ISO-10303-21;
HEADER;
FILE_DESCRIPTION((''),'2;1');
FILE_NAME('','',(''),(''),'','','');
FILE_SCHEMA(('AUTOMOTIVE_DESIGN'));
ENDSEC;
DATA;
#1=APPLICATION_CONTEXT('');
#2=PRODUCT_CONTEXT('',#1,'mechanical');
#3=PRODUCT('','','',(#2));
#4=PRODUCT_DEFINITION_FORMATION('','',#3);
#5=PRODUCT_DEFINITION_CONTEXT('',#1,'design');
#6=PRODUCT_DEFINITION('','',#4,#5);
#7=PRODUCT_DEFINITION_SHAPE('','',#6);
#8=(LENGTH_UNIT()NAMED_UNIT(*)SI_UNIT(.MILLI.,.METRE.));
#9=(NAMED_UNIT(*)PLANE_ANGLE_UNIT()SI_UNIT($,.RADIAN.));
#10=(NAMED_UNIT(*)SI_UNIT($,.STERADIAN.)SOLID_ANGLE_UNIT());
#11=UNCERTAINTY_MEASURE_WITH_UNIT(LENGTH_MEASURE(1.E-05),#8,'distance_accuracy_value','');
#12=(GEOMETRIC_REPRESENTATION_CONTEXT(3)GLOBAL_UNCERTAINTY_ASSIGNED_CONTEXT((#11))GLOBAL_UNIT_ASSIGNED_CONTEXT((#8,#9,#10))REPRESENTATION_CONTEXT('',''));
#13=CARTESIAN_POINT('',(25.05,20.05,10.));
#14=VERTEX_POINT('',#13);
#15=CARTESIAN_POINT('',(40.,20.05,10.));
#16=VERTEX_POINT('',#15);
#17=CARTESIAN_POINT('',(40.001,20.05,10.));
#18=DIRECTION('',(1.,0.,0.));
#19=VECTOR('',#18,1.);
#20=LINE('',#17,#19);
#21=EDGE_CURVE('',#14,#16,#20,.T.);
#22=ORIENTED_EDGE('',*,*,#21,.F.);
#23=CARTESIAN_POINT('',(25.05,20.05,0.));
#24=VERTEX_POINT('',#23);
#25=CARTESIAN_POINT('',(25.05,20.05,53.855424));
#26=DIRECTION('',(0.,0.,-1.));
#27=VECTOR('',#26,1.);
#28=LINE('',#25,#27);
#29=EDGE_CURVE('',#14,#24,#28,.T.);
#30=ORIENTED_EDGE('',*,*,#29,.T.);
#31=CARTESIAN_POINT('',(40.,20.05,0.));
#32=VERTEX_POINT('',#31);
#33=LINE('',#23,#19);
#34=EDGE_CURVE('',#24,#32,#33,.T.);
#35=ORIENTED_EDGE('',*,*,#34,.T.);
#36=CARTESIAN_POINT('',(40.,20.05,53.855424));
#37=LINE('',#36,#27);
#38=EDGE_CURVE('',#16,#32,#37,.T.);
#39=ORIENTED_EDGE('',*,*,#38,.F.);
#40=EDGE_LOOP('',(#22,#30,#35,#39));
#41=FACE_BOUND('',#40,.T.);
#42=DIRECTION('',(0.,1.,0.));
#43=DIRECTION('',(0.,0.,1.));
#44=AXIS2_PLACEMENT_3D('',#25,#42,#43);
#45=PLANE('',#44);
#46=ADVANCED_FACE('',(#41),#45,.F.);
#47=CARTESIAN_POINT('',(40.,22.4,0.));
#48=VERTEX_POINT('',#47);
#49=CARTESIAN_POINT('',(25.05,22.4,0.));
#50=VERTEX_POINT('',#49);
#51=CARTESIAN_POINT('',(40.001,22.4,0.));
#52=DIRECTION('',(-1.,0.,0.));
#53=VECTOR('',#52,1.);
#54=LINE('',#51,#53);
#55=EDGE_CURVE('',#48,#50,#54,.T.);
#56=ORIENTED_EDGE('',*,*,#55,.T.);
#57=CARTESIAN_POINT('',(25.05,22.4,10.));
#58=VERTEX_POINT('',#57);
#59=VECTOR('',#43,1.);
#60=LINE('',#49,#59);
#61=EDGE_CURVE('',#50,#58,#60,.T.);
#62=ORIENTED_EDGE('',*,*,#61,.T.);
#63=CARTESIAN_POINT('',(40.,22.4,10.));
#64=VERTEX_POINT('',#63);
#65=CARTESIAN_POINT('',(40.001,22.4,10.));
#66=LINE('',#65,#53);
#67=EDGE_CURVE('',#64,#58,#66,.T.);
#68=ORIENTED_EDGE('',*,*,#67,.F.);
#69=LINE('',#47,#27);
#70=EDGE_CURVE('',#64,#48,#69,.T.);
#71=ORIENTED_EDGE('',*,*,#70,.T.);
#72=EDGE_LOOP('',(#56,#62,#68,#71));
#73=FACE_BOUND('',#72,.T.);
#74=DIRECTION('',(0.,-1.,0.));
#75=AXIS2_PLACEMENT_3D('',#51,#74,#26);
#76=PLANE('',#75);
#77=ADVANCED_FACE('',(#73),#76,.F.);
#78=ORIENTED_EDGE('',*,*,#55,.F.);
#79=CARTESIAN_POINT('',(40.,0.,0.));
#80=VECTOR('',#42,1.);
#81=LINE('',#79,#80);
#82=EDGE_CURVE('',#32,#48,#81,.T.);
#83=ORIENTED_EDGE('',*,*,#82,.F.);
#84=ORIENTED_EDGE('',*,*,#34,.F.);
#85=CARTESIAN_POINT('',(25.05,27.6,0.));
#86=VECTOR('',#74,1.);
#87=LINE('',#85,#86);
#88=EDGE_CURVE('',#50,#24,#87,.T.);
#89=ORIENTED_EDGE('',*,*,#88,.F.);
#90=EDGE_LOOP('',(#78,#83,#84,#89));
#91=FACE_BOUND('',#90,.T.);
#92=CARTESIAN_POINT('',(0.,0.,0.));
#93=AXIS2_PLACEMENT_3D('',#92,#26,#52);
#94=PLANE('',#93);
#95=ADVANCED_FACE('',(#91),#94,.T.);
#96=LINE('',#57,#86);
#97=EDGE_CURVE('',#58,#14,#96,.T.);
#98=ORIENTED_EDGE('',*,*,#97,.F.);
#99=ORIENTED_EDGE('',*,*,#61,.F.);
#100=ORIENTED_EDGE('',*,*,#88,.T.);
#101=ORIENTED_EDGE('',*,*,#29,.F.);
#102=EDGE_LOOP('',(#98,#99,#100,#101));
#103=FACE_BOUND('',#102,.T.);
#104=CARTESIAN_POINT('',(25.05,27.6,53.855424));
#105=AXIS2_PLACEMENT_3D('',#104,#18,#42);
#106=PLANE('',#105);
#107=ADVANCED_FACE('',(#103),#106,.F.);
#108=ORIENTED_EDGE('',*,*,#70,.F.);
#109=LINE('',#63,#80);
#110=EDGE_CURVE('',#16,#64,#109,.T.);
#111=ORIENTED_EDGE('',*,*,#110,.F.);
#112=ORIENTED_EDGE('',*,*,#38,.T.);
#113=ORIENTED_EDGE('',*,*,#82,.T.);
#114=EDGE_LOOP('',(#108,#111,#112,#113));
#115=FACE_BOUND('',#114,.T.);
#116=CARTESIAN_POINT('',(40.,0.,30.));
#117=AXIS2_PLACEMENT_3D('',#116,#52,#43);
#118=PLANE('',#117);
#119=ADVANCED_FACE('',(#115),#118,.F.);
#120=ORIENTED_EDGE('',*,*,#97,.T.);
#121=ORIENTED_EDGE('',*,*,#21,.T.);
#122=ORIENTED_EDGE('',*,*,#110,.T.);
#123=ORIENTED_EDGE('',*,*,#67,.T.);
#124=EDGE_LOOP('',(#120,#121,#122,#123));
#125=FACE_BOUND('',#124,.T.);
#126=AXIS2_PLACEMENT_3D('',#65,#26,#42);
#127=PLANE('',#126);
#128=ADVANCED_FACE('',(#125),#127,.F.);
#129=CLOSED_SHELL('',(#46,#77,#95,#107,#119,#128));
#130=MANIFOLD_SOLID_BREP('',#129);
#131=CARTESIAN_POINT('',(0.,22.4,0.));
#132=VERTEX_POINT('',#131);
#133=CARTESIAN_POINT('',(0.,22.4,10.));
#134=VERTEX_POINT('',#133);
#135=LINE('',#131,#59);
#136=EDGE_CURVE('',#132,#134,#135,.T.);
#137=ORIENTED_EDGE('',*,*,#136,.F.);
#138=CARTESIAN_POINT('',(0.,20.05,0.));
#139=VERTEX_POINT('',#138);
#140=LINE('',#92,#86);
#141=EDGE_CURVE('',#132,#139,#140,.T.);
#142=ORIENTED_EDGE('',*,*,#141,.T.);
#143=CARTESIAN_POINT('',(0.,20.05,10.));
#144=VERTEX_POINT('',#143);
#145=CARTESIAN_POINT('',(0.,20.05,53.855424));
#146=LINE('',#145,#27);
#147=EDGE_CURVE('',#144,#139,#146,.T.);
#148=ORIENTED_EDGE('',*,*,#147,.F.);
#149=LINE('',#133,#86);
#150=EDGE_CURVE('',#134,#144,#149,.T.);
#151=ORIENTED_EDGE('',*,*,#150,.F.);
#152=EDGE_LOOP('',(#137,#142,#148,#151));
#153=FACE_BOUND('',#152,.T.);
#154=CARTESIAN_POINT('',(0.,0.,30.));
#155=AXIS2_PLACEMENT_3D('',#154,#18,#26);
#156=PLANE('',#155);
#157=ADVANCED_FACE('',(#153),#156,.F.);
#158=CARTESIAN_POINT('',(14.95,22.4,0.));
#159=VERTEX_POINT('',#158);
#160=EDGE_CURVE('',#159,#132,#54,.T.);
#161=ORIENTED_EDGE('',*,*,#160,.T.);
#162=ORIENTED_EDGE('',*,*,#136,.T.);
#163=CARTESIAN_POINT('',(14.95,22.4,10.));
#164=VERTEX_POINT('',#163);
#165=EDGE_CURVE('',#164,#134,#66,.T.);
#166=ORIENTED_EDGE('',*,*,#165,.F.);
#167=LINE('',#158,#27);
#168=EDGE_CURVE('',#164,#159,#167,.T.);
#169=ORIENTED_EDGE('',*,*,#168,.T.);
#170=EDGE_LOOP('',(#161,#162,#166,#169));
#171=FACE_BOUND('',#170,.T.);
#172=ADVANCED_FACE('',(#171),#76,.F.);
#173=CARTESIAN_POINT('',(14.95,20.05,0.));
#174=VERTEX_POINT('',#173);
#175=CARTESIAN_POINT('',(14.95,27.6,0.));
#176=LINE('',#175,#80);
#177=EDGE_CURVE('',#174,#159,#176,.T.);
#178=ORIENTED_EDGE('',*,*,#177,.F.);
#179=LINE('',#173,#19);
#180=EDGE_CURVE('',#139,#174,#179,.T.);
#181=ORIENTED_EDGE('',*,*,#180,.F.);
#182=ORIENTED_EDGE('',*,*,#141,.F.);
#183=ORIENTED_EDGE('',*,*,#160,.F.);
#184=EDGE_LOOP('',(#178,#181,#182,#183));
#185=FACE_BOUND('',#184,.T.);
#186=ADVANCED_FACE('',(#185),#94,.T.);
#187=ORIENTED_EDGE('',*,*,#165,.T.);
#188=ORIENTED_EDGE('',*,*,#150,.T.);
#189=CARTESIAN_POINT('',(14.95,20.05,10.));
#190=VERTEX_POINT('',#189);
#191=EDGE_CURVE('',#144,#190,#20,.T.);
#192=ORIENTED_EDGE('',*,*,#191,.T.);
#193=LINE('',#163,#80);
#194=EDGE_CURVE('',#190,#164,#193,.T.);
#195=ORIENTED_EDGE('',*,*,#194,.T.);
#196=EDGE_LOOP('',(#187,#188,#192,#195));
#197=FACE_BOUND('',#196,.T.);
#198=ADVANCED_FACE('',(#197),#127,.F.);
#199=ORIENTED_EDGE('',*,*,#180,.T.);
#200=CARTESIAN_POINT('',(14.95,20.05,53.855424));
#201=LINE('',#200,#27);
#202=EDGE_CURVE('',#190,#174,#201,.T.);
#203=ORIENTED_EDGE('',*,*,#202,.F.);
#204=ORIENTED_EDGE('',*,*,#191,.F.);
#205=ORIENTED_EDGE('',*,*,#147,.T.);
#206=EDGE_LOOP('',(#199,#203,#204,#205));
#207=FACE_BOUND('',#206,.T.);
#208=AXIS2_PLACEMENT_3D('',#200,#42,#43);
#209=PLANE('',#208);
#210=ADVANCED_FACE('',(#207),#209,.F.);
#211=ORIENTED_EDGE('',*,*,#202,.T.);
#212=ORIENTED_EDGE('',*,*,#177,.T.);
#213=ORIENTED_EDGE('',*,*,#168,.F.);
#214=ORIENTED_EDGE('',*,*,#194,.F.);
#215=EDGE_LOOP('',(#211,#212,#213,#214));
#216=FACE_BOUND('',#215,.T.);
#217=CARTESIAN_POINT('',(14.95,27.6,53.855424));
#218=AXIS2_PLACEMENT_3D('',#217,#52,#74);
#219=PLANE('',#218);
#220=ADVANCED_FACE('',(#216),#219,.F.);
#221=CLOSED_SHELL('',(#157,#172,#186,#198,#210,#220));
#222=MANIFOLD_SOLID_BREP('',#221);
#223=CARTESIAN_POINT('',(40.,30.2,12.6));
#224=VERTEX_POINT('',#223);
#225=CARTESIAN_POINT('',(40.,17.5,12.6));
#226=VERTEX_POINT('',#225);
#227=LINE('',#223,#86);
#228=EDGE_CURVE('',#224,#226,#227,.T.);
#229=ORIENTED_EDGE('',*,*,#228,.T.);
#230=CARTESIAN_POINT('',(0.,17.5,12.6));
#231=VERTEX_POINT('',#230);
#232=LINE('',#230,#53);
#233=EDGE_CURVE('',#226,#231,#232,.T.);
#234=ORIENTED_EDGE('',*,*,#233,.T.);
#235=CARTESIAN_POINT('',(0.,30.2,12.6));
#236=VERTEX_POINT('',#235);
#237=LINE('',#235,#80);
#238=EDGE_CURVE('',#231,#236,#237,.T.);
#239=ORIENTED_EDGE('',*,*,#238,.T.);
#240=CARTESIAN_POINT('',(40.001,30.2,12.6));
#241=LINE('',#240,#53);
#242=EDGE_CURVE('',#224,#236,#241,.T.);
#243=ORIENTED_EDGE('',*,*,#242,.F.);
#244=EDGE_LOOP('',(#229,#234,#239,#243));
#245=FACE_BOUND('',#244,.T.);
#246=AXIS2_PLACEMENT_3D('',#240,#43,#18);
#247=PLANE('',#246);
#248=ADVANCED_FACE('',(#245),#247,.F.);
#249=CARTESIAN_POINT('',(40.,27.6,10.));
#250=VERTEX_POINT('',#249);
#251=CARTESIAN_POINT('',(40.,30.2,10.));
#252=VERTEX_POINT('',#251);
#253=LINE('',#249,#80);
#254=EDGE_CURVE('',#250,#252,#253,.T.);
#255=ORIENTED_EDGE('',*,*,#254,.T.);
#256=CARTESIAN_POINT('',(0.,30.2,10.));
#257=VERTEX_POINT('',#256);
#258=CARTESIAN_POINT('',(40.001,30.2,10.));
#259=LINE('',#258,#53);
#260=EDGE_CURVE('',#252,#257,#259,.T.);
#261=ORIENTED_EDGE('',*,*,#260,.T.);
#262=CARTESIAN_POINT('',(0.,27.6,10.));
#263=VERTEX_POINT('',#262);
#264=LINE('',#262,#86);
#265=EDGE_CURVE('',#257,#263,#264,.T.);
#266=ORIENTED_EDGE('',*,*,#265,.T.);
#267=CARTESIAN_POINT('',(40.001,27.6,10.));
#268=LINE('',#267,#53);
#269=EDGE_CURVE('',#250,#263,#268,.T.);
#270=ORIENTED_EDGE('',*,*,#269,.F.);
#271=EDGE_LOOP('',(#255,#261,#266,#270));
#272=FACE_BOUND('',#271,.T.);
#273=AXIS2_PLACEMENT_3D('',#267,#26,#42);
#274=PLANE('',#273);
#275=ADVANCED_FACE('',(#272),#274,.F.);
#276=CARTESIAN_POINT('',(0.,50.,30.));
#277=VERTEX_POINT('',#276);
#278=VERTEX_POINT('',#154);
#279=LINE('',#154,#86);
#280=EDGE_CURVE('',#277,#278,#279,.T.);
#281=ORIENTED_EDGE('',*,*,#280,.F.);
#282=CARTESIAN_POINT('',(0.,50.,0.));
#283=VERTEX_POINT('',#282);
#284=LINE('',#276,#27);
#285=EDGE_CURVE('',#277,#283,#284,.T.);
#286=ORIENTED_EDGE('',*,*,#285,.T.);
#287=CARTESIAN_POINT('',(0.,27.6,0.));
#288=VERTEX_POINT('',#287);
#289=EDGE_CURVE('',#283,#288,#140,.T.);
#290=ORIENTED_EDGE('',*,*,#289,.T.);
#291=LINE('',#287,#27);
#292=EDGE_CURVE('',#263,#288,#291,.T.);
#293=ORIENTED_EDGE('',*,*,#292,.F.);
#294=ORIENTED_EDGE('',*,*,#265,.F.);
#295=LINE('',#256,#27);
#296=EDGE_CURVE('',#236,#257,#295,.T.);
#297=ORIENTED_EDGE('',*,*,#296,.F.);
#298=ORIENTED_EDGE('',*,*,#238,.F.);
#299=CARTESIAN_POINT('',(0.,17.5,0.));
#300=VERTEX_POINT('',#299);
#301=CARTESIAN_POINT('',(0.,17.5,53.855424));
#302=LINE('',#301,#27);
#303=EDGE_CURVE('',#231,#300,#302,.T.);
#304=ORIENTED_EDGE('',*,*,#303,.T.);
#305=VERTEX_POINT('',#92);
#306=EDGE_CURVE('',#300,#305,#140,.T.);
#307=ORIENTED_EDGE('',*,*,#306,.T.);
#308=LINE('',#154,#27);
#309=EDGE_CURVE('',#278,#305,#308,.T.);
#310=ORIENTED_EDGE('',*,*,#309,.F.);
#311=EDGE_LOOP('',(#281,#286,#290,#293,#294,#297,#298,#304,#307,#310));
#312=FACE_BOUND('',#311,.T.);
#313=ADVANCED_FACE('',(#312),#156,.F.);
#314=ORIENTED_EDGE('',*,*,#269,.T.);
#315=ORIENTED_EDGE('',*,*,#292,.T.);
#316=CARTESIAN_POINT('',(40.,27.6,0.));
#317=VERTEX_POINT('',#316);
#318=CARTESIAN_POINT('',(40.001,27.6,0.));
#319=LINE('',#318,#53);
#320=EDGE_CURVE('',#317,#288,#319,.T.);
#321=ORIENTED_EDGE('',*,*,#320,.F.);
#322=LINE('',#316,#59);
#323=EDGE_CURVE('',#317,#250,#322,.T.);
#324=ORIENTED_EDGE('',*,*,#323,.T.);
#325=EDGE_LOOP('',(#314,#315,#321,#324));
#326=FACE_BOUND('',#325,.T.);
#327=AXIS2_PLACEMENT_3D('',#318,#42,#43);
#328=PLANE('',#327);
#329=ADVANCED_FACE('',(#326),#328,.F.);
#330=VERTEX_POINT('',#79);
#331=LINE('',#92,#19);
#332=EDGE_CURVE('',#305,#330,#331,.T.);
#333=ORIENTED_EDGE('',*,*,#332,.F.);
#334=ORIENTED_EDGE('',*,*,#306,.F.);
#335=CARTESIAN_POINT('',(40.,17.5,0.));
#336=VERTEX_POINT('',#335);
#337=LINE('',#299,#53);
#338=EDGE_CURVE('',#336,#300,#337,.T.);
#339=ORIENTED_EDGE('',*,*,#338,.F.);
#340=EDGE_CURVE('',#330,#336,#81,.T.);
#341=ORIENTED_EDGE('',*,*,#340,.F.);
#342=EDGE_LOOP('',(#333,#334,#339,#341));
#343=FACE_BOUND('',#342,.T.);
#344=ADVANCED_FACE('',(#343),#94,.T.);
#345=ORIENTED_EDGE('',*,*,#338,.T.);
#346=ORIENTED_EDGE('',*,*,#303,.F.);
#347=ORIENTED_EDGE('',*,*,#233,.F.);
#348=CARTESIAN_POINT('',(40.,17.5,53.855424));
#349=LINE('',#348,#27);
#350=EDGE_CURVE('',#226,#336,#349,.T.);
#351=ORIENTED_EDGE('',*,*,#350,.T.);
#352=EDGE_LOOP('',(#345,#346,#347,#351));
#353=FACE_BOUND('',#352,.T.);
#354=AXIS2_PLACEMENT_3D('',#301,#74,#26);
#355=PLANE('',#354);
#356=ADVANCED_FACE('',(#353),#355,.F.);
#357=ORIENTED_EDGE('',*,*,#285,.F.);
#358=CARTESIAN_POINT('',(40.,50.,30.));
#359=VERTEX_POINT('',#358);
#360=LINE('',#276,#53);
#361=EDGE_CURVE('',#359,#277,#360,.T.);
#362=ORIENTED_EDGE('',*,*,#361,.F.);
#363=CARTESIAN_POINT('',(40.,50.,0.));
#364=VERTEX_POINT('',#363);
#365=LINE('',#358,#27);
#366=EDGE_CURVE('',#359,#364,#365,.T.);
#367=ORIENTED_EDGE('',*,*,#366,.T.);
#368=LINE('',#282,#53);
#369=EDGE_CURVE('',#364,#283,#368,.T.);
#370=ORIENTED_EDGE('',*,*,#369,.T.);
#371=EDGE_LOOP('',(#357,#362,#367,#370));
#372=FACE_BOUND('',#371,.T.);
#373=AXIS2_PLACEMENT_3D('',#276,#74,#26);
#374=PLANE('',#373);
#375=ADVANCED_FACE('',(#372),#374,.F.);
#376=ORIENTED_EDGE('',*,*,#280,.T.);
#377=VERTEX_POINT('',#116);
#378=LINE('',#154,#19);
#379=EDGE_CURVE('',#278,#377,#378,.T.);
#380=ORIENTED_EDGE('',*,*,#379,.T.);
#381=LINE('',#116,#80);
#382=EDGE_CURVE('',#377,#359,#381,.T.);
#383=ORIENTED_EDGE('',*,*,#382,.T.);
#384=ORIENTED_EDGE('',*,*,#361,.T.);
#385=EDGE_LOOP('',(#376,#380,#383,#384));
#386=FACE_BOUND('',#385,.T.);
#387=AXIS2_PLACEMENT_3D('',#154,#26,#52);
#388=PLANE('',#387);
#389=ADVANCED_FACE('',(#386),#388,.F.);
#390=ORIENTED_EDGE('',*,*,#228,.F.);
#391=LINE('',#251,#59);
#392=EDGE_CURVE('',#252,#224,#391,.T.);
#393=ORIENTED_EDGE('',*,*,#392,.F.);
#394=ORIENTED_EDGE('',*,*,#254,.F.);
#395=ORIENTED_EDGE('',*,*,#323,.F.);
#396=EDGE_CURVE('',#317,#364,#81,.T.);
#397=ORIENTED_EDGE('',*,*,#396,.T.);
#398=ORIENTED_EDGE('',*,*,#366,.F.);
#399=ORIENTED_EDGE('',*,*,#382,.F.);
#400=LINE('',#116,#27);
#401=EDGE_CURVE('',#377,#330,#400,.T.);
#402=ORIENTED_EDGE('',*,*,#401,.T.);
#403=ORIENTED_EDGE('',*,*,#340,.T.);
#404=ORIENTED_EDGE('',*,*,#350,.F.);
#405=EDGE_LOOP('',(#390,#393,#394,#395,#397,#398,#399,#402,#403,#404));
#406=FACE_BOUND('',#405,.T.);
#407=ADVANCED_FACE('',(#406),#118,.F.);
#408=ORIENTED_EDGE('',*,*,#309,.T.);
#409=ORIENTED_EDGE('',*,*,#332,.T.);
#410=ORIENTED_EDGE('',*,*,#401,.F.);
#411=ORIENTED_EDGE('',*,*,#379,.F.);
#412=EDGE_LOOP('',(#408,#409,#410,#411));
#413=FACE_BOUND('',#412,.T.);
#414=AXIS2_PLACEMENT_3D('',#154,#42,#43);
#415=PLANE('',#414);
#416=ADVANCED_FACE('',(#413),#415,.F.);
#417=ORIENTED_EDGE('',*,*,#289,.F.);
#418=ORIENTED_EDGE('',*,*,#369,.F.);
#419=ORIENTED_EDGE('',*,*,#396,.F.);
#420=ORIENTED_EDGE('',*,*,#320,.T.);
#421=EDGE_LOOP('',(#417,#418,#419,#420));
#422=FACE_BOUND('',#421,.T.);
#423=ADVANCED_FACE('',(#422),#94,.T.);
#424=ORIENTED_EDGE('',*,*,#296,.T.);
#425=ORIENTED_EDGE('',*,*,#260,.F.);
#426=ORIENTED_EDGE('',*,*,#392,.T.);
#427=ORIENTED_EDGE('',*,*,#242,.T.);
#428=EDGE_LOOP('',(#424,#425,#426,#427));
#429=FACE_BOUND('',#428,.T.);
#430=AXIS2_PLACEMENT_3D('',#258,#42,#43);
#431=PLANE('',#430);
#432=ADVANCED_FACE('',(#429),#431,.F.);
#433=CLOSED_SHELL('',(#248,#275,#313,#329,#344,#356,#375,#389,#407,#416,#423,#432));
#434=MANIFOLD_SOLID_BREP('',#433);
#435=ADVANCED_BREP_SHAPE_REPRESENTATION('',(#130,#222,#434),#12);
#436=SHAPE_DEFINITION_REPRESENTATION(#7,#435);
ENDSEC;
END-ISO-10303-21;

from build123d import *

# Parameters (mm, degrees)
SKETCH1_W           = 40
SKETCH1_H           = 50
BOSS_EXTRUDE1_DEPTH = 30
CUT_EXTRUDE1_REACH  = 72.711
CUT_EXTRUDE2_REACH  = 72.711


with BuildPart() as part:
    # Sketch1 → Boss-Extrude1 (new body)
    with BuildSketch(Plane.XY):
        with Locations((20, 25)):
            Rectangle(SKETCH1_W, SKETCH1_H)
    extrude(amount=BOSS_EXTRUDE1_DEPTH)

    # Sketch2 → Cut-Extrude1 (cut, up to next)
    with BuildSketch(Plane.ZY, mode=Mode.PRIVATE) as cut_extrude1_sk1:
        Polygon((0, 27.6), (10, 27.6), (10, 30.2), (12.6, 30.2), (12.6, 19.8), (10, 19.8), (10, 22.4), (0, 22.4), align=None)
    cut_extrude1_tool1 = extrude(cut_extrude1_sk1.sketch, amount=-CUT_EXTRUDE1_REACH, mode=Mode.PRIVATE) & part.part
    add(cut_extrude1_tool1.solids().sort_by_distance((0, 25, 7.155263))[0], mode=Mode.SUBTRACT)

    # Cut-Extrude2: up to this face of the body (flat: up to its plane)
    cut_extrude2_end = Plane(part.part.faces().sort_by_distance((20, 25, 12.6))[0])
    # Sketch3 → Cut-Extrude2 (cut, up to the picked face)
    with BuildSketch(Plane(origin=(0, 0, 0), x_dir=(-1, 0, 0), z_dir=(0, 0, -1)), mode=Mode.PRIVATE) as cut_extrude2_sk1:
        Polygon((-25.05, 27.6), (-14.95, 27.6), (-14.95, 20.05), (0, 20.05), (0, 17.5), (-40, 17.5), (-40, 20.05), (-25.05, 20.05), align=None)
    cut_extrude2_tool1 = split(extrude(cut_extrude2_sk1.sketch, amount=-CUT_EXTRUDE2_REACH, mode=Mode.PRIVATE), bisect_by=cut_extrude2_end, keep=Keep.BOTH, mode=Mode.PRIVATE)
    add(cut_extrude2_tool1.solids().sort_by(Axis((20, 20.935319, 0), (0, 0, 1)))[0], mode=Mode.SUBTRACT)


with BuildPart() as cut_extrude2_piece_1:
    # of the separate pieces the step leaves, piece 1, a body of its own (cut_extrude2_pieces)
    add(part.part.solids().sort_by_distance((0, 0, 0))[0])


with BuildPart() as cut_extrude2_piece_2:
    # of the separate pieces the step leaves, piece 2, a body of its own (cut_extrude2_pieces)
    add(part.part.solids().sort_by_distance((0, 20.05, 0))[0])


with BuildPart() as cut_extrude2_piece_3:
    # of the separate pieces the step leaves, piece 3, a body of its own (cut_extrude2_pieces)
    add(part.part.solids().sort_by_distance((40, 20.05, 0))[0])


solid = Compound([cut_extrude2_piece_1.part, cut_extrude2_piece_2.part, cut_extrude2_piece_3.part])
